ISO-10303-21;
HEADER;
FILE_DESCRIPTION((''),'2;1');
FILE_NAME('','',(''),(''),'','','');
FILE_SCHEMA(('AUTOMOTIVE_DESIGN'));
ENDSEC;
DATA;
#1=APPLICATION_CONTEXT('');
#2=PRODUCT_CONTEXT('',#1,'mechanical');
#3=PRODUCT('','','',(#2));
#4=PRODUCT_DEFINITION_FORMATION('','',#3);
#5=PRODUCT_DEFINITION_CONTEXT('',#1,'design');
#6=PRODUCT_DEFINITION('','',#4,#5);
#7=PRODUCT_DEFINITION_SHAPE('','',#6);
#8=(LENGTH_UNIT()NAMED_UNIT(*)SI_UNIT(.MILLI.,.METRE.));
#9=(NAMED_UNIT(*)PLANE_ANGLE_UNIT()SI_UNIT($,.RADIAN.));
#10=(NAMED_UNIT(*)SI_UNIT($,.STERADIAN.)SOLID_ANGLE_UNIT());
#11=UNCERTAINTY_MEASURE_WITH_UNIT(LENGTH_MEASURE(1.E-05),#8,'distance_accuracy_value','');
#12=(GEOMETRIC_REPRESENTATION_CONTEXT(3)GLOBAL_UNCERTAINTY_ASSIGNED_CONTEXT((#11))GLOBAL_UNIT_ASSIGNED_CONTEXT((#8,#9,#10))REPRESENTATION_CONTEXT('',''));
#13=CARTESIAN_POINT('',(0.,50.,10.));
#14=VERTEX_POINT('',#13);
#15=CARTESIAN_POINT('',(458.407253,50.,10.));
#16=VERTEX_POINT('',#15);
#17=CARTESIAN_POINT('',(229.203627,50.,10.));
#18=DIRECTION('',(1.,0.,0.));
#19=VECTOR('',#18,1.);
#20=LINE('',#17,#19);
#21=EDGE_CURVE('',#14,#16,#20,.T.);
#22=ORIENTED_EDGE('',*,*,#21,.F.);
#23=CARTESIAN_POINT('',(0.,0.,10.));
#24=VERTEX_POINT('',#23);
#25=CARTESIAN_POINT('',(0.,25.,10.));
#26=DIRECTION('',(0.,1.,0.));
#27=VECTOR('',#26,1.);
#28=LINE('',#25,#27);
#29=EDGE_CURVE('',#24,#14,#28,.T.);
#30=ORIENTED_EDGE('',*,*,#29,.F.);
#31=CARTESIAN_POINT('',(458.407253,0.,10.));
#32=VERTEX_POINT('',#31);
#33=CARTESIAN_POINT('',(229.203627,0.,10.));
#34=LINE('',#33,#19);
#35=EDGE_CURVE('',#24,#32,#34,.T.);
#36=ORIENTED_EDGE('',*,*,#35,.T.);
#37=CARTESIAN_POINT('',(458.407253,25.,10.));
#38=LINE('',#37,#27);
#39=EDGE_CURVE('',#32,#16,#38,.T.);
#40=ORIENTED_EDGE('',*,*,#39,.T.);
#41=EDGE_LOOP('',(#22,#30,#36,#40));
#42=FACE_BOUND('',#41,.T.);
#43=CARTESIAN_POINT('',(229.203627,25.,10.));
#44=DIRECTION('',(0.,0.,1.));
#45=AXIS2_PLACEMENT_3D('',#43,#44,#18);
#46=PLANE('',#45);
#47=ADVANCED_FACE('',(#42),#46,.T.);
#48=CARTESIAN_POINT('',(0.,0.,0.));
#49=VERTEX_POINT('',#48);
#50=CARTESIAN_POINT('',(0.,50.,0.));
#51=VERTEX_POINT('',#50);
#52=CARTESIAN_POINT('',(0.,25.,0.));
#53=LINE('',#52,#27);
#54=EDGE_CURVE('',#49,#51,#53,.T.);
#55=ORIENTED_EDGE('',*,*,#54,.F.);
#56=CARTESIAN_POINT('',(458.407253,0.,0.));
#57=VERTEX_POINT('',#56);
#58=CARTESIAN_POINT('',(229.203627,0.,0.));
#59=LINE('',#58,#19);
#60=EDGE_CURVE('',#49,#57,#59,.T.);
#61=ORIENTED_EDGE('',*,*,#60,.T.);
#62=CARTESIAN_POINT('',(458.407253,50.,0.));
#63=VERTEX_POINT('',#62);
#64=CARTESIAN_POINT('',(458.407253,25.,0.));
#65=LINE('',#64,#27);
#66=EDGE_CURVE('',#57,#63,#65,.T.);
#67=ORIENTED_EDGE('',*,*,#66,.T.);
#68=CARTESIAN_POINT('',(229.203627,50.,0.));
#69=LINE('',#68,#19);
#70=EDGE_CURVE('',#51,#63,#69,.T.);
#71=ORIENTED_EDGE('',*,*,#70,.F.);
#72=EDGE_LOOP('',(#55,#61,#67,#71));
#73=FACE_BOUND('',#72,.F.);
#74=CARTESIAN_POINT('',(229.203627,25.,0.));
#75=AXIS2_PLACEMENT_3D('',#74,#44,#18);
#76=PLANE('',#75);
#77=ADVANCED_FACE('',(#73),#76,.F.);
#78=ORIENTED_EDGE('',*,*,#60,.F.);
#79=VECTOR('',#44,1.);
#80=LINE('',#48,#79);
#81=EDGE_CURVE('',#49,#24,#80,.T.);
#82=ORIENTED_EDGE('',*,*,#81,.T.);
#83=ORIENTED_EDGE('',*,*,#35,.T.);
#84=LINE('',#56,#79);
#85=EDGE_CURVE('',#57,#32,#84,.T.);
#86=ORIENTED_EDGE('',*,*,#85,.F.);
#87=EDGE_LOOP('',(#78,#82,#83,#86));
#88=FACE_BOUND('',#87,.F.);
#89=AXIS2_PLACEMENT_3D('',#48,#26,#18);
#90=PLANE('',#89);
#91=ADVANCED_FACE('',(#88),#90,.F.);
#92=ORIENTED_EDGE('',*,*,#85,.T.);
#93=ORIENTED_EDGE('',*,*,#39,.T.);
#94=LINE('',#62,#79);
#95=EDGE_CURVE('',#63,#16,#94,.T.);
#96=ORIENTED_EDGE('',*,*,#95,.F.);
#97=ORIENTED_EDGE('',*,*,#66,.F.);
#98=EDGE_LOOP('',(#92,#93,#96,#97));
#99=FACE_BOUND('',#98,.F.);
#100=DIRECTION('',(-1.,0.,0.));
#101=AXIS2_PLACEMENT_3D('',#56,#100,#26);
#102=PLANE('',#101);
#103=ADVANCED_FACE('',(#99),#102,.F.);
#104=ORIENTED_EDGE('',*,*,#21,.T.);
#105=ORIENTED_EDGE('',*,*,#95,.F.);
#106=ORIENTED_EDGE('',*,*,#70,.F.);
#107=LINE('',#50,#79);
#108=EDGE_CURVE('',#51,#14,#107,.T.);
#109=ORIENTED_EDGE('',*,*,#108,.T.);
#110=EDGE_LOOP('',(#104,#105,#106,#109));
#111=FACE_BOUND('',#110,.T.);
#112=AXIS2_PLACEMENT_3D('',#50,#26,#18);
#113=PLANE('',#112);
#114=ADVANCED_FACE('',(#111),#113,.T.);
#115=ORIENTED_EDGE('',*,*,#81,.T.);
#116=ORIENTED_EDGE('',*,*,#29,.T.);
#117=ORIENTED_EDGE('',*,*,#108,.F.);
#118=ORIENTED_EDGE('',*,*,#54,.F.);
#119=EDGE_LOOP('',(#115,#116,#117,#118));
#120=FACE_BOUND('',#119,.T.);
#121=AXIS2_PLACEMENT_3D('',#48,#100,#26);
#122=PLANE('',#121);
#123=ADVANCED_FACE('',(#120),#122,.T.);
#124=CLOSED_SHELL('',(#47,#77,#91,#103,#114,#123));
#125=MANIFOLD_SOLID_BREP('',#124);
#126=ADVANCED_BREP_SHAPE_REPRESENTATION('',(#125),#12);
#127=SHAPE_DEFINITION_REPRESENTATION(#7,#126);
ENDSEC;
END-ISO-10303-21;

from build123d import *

# Parameters (mm, degrees)
SKETCH_1_W      = 458.407253026
SKETCH_1_H      = 50
EXTRUDE_1_DEPTH = 10


with BuildPart() as part:
    # Эскиз1 → Бобышка-Вытянуть1 (new body)
    with BuildSketch(Plane.XY):
        with Locations((229.203626513, 25)):
            Rectangle(SKETCH_1_W, SKETCH_1_H)
    extrude(amount=EXTRUDE_1_DEPTH)


solid = part.part
